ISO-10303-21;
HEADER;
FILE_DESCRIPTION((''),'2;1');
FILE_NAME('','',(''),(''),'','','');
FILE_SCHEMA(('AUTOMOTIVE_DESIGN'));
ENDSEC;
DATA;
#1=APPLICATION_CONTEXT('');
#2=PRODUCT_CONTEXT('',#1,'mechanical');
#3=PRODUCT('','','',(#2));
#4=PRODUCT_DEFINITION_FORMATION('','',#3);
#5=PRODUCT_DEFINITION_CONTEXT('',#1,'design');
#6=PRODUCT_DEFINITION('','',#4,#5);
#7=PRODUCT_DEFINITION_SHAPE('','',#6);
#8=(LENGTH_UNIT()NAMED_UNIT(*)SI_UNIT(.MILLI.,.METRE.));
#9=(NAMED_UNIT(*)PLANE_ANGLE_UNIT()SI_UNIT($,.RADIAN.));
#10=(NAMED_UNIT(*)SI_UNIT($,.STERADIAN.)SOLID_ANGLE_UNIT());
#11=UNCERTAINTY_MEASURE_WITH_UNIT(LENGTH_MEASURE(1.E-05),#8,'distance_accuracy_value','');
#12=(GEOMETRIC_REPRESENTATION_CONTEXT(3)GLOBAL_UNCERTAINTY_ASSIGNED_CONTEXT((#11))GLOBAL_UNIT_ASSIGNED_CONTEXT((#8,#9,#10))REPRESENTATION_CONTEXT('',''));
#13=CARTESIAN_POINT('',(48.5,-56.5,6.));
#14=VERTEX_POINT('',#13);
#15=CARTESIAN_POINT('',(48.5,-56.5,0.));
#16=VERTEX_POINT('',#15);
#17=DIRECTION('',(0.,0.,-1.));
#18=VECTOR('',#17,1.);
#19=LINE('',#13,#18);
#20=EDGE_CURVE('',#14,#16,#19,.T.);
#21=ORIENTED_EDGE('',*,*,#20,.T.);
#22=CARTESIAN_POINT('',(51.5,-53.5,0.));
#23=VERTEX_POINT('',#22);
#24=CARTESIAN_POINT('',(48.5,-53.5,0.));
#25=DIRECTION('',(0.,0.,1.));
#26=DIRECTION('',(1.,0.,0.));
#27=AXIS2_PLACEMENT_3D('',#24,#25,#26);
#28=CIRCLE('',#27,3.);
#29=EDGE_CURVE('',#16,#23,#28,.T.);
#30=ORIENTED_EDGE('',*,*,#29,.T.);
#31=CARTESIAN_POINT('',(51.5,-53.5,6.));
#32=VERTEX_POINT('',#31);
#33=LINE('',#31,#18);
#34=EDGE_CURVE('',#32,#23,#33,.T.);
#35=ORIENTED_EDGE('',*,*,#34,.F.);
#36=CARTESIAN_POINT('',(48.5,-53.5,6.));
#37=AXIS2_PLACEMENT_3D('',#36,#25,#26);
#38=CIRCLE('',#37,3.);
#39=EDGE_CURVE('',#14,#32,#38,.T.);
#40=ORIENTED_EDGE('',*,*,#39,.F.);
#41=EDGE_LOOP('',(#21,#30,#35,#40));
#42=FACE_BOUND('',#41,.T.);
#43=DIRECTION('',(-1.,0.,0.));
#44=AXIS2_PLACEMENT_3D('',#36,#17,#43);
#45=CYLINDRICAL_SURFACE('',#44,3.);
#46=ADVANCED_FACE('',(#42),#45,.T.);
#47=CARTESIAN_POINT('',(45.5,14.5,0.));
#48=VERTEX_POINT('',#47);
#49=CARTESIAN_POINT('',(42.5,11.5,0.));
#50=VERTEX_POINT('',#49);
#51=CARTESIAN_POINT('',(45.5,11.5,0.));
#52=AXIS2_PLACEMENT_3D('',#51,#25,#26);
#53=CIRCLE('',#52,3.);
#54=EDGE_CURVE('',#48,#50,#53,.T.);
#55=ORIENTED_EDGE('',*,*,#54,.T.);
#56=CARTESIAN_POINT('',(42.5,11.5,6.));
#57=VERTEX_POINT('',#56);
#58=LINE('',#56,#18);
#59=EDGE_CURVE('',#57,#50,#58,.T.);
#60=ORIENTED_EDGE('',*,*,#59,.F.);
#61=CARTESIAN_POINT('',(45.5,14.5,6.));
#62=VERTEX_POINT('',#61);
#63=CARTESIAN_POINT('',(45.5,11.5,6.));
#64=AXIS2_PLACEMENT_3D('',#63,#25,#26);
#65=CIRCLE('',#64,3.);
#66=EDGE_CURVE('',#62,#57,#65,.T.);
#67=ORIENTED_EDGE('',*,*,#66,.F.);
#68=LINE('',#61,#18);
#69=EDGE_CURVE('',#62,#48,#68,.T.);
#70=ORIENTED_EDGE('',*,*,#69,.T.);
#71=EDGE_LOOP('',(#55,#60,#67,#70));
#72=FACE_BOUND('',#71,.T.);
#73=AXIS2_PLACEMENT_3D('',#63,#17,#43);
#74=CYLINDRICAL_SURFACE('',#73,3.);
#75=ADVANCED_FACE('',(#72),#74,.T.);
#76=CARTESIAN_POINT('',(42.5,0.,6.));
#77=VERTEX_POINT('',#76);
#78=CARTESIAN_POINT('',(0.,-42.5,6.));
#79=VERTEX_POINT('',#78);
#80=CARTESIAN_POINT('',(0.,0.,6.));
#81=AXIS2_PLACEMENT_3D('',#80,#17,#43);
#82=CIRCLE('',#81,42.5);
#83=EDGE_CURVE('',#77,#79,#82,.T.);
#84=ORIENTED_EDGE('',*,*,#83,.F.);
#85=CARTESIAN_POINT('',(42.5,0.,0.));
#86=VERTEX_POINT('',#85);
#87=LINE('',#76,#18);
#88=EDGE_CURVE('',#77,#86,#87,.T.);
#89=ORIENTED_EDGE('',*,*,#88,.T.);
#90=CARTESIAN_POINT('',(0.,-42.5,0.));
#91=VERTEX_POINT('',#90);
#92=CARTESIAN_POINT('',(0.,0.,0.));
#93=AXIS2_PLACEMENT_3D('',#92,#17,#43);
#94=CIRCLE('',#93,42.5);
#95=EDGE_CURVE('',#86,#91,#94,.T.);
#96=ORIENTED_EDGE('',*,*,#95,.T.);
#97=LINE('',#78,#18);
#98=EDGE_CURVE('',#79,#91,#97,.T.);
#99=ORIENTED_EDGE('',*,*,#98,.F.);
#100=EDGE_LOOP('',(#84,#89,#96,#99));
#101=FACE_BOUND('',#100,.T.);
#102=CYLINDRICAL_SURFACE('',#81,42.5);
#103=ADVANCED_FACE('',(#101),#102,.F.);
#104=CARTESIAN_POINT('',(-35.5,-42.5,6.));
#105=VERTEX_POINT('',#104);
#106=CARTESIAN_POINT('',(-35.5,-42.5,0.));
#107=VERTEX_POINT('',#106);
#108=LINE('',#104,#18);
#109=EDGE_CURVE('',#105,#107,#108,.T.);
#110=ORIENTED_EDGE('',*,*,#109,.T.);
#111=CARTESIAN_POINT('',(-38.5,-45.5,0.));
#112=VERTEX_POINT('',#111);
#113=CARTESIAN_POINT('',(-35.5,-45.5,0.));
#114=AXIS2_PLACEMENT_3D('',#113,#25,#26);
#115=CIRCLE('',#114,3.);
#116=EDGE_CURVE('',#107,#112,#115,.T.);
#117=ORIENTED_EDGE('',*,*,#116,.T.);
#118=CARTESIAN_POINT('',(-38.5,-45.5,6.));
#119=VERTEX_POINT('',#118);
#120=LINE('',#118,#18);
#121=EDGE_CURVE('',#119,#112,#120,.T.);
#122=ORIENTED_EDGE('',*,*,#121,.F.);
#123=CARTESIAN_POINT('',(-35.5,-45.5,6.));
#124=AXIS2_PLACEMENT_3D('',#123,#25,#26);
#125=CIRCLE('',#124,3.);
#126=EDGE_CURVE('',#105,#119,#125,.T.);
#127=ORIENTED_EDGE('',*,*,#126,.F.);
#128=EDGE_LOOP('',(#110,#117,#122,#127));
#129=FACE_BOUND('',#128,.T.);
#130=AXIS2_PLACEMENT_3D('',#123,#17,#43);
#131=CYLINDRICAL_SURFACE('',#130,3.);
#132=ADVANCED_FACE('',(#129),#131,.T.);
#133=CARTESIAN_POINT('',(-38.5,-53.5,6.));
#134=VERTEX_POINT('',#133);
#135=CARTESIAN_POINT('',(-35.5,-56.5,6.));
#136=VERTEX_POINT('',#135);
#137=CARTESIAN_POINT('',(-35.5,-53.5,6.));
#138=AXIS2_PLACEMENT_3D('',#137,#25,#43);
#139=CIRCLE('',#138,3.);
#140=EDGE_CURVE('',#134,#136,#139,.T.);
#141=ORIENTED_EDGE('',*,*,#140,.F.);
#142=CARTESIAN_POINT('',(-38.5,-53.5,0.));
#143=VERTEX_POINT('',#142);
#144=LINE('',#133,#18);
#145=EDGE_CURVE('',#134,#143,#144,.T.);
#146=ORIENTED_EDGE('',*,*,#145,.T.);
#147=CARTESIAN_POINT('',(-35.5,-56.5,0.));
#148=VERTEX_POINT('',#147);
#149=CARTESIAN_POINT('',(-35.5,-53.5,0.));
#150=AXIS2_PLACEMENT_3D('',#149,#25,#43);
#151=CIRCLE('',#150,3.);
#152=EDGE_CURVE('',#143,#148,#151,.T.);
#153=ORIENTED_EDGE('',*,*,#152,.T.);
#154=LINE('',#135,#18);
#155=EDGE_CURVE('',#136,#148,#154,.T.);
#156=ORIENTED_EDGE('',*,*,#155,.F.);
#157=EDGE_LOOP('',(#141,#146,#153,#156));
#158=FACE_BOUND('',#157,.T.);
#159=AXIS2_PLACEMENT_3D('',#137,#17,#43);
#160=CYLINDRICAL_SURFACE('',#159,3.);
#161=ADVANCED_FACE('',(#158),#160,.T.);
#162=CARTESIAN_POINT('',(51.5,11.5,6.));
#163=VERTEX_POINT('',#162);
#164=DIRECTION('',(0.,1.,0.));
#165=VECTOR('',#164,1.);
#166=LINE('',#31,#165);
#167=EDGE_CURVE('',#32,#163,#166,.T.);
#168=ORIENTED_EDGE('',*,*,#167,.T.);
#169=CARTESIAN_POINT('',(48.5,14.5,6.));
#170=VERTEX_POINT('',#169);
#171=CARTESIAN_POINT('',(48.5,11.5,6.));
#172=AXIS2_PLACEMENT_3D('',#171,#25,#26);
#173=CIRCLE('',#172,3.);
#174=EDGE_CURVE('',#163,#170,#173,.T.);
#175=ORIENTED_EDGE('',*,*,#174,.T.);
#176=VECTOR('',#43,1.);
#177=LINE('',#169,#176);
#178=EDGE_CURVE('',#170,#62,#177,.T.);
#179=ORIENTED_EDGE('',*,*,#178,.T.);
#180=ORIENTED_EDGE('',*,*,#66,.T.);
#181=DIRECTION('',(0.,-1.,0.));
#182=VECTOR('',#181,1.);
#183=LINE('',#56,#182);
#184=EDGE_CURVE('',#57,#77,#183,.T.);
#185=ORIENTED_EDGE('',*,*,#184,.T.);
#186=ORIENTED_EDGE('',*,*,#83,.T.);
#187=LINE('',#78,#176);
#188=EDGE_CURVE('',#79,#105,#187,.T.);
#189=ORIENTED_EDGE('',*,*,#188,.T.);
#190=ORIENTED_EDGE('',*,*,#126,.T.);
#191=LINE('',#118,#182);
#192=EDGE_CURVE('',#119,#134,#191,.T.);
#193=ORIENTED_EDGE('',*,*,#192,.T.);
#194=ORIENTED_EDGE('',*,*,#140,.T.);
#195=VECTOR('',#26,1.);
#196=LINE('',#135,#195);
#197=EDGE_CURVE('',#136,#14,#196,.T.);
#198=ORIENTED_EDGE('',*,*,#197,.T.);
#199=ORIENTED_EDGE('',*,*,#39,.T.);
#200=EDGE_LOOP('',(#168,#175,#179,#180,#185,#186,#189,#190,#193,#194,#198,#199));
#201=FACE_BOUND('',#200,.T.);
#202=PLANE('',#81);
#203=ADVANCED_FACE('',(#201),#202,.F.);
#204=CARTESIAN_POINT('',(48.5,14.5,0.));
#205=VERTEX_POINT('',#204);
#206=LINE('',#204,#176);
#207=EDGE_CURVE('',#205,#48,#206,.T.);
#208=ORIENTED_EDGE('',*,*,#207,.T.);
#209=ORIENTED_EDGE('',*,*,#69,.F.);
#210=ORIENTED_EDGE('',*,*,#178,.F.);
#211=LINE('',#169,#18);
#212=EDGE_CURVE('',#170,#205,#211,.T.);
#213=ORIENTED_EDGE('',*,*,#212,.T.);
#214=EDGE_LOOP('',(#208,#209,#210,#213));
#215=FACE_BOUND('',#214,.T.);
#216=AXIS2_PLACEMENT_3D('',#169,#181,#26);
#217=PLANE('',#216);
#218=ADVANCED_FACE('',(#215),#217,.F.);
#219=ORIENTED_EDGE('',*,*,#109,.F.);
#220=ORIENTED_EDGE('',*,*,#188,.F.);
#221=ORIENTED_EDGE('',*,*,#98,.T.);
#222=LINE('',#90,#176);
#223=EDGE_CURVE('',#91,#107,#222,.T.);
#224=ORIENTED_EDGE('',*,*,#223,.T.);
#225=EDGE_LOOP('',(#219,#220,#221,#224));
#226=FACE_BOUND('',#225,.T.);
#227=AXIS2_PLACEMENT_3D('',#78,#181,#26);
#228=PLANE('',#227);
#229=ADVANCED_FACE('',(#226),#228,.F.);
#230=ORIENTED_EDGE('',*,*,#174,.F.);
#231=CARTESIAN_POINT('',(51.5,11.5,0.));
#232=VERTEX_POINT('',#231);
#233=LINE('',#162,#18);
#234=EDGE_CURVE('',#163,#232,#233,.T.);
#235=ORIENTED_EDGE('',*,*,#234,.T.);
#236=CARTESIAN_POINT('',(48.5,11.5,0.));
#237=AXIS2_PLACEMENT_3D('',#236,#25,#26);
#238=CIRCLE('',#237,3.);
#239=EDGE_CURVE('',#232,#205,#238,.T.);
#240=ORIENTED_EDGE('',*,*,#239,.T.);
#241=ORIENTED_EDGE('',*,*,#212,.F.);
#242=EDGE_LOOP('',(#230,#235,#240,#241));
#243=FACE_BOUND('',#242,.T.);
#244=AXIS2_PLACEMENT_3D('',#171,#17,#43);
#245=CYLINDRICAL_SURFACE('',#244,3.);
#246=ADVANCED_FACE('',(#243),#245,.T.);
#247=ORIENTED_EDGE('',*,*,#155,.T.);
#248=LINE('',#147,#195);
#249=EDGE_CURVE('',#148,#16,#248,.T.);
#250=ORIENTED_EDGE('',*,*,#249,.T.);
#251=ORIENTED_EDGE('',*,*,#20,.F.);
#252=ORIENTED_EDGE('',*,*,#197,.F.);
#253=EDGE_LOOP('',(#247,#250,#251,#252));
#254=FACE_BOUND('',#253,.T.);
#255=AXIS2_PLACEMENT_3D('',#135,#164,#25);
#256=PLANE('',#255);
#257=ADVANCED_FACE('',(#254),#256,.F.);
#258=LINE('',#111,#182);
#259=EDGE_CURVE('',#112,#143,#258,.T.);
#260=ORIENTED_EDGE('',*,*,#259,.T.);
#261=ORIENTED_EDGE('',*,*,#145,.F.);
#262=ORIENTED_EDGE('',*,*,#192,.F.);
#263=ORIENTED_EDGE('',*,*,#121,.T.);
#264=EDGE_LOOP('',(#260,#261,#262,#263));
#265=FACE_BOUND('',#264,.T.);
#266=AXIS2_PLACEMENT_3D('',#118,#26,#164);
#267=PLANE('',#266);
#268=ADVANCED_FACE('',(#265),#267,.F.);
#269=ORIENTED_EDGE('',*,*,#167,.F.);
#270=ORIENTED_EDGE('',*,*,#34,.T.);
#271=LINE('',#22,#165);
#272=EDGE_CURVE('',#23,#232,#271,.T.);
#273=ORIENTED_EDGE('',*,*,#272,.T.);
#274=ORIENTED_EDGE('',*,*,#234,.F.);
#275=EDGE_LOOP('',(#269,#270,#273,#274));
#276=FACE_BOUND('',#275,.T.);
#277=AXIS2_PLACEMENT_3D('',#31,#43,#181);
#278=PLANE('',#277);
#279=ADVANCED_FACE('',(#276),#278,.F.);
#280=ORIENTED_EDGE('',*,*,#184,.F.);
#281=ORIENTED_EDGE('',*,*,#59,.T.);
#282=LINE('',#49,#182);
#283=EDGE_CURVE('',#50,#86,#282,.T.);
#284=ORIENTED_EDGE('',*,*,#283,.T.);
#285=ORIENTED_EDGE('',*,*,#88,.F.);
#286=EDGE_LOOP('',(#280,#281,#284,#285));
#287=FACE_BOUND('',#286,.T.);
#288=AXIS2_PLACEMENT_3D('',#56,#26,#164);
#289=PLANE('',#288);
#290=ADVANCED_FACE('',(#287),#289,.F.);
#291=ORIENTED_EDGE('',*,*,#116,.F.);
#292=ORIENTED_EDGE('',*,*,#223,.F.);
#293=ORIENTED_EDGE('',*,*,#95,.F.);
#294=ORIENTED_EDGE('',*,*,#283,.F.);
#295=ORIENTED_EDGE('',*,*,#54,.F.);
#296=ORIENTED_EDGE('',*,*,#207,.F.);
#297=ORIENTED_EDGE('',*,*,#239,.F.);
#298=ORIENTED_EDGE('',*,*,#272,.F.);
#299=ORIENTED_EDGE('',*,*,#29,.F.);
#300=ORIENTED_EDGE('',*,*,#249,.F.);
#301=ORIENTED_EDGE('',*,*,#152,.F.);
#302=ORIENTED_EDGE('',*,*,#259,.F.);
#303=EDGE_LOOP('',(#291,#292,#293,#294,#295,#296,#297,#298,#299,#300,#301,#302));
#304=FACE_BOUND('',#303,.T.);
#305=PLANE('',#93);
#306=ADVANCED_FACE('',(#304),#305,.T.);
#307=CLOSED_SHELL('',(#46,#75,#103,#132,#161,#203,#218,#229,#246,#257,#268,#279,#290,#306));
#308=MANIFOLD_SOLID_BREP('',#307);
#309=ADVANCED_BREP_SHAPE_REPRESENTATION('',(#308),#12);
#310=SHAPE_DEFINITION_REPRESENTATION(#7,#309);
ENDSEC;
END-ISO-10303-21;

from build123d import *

# Parameters (mm, degrees)
EXTRUDE1_DEPTH = 6


with BuildPart() as part:
    # Sketch1 → Extrude1 (new body)
    with BuildSketch(Plane.XY):
        with BuildLine():
            Line((-35.5, -56.5), (48.5, -56.5))
            ThreePointArc((48.5, -56.5), (50.621320344, -55.621320344), (51.5, -53.5))
            Line((51.5, -53.5), (51.5, 11.5))
            ThreePointArc((51.5, 11.5), (50.621320344, 13.621320344), (48.5, 14.5))
            Line((48.5, 14.5), (45.5, 14.5))
            ThreePointArc((45.5, 14.5), (43.378679656, 13.621320344), (42.5, 11.5))
            Line((42.5, 11.5), (42.5, 0))
            ThreePointArc((42.5, 0), (30.0520382, -30.0520382), (0, -42.5))
            Line((0, -42.5), (-35.5, -42.5))
            ThreePointArc((-35.5, -42.5), (-37.621320344, -43.378679656), (-38.5, -45.5))
            Line((-38.5, -45.5), (-38.5, -53.5))
            ThreePointArc((-38.5, -53.5), (-37.621320344, -55.621320344), (-35.5, -56.5))
        make_face()
    extrude(amount=EXTRUDE1_DEPTH)


solid = part.part
